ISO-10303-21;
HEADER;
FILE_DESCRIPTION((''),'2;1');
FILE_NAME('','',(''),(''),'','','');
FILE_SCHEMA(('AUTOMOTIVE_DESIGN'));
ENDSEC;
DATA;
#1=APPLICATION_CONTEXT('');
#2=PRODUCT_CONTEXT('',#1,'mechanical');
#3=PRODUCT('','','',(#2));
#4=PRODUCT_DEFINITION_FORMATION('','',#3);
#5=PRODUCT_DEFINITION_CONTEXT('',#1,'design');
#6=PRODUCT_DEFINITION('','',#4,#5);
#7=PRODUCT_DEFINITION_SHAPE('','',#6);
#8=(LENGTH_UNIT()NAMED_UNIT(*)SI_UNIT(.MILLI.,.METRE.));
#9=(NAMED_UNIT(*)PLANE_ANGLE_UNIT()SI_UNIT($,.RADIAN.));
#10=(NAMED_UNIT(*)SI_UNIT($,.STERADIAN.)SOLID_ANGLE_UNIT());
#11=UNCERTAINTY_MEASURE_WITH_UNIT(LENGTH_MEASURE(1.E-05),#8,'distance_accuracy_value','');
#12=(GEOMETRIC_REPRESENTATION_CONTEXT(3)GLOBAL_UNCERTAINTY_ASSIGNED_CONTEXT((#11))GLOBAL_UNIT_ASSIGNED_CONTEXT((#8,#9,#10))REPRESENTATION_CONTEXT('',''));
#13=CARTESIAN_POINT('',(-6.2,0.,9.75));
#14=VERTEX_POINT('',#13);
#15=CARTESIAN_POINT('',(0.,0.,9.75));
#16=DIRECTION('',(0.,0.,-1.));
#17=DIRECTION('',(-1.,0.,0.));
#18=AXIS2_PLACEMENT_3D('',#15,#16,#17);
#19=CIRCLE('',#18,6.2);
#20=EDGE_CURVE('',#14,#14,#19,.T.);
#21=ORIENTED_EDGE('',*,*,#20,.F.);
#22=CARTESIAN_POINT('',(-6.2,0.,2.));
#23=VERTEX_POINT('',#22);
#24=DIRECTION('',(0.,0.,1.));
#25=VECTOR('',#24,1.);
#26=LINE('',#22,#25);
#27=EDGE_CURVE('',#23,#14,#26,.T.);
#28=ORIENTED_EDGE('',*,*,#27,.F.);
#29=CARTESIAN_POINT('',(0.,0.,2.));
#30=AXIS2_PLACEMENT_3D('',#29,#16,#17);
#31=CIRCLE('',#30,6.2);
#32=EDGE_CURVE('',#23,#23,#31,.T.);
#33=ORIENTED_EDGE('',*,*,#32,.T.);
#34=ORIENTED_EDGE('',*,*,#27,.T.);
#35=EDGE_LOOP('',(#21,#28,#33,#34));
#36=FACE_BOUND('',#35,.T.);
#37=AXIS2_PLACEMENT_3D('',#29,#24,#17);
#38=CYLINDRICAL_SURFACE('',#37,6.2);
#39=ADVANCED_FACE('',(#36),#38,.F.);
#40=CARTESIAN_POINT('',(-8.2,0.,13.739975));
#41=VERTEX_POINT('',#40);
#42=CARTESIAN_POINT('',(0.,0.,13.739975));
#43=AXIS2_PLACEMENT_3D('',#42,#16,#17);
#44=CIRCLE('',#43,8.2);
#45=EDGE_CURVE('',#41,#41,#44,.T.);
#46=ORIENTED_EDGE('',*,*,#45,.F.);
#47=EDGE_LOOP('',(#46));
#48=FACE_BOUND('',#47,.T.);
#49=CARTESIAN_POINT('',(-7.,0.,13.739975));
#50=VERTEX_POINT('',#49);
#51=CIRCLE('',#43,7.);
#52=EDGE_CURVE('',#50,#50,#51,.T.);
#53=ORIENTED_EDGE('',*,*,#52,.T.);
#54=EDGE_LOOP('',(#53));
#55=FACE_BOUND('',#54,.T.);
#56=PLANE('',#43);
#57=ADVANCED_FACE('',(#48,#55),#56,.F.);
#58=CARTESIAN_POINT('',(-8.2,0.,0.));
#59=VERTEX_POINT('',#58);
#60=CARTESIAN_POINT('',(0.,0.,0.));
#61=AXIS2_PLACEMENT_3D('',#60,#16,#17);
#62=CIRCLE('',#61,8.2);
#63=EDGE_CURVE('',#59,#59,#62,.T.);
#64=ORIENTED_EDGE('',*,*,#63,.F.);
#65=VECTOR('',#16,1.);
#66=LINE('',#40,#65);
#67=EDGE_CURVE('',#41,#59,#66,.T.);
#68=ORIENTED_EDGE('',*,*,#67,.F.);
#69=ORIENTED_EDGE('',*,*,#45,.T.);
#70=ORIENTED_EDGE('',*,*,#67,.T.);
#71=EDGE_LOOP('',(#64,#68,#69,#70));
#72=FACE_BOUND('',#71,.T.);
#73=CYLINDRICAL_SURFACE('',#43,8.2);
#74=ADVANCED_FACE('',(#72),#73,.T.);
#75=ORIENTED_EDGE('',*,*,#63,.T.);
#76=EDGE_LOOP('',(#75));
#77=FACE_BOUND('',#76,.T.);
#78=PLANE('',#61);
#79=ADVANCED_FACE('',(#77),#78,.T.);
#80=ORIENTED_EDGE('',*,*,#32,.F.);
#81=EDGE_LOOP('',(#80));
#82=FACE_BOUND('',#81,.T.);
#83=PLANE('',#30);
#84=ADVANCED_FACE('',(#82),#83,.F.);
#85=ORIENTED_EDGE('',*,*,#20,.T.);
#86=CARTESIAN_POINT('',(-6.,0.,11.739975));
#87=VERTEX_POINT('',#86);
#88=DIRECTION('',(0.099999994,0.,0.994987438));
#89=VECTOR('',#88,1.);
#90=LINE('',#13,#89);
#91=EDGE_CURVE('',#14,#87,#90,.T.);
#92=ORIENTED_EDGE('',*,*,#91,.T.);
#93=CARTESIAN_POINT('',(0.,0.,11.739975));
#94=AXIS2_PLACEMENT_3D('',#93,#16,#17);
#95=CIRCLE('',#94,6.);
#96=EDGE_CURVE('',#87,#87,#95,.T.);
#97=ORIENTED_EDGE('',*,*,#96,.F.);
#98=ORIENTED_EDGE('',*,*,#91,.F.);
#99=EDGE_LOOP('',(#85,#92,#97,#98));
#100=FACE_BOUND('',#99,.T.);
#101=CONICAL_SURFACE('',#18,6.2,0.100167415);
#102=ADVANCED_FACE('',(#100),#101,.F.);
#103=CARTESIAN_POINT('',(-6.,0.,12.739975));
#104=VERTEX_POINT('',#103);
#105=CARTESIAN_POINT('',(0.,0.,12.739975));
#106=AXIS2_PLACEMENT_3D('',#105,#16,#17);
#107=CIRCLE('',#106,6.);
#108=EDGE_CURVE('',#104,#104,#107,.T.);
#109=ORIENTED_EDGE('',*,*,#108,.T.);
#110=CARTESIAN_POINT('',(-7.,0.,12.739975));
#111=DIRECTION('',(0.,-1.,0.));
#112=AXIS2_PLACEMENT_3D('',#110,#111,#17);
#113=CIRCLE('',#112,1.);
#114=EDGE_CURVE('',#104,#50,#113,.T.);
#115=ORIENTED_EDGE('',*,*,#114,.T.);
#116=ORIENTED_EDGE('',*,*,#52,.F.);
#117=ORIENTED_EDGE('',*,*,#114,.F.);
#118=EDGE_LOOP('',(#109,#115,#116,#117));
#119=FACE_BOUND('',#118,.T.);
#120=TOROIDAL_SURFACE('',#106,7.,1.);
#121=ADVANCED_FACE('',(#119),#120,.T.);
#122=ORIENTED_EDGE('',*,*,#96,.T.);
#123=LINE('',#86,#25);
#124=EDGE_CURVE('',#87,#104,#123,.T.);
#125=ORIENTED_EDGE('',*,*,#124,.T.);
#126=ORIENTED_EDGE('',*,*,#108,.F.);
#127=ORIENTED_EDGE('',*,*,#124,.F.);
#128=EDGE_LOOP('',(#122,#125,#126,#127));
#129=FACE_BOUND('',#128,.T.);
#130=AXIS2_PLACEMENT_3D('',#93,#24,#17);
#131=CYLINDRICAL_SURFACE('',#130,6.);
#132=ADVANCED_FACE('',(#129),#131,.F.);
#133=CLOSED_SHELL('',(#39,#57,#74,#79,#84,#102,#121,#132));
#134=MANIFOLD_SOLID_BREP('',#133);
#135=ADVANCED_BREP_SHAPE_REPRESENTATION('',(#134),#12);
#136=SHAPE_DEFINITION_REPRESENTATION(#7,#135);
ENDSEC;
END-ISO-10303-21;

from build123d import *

# Parameters (mm, degrees)
F2_R = 1


with BuildPart() as f1:
    # F0 (on Front) → F1 (revolve)
    with BuildSketch(Plane.XZ):
        Polygon((-8.2, 0), (0, 0), (0, 2), (-6.2, 2), (-6.2, 9.75), (-6, 11.739975), (-6, 13.739975), (-8.2, 13.739975), align=None)
    revolve(axis=Axis((0, 0, 1), (0, 0, -1)))

    # F2
    f2_edges = [f1.edges().sort_by_distance(p)[0] for p in [
        (6, 0, 13.739975),
    ]]
    fillet(f2_edges, radius=F2_R)


solid = f1.part
